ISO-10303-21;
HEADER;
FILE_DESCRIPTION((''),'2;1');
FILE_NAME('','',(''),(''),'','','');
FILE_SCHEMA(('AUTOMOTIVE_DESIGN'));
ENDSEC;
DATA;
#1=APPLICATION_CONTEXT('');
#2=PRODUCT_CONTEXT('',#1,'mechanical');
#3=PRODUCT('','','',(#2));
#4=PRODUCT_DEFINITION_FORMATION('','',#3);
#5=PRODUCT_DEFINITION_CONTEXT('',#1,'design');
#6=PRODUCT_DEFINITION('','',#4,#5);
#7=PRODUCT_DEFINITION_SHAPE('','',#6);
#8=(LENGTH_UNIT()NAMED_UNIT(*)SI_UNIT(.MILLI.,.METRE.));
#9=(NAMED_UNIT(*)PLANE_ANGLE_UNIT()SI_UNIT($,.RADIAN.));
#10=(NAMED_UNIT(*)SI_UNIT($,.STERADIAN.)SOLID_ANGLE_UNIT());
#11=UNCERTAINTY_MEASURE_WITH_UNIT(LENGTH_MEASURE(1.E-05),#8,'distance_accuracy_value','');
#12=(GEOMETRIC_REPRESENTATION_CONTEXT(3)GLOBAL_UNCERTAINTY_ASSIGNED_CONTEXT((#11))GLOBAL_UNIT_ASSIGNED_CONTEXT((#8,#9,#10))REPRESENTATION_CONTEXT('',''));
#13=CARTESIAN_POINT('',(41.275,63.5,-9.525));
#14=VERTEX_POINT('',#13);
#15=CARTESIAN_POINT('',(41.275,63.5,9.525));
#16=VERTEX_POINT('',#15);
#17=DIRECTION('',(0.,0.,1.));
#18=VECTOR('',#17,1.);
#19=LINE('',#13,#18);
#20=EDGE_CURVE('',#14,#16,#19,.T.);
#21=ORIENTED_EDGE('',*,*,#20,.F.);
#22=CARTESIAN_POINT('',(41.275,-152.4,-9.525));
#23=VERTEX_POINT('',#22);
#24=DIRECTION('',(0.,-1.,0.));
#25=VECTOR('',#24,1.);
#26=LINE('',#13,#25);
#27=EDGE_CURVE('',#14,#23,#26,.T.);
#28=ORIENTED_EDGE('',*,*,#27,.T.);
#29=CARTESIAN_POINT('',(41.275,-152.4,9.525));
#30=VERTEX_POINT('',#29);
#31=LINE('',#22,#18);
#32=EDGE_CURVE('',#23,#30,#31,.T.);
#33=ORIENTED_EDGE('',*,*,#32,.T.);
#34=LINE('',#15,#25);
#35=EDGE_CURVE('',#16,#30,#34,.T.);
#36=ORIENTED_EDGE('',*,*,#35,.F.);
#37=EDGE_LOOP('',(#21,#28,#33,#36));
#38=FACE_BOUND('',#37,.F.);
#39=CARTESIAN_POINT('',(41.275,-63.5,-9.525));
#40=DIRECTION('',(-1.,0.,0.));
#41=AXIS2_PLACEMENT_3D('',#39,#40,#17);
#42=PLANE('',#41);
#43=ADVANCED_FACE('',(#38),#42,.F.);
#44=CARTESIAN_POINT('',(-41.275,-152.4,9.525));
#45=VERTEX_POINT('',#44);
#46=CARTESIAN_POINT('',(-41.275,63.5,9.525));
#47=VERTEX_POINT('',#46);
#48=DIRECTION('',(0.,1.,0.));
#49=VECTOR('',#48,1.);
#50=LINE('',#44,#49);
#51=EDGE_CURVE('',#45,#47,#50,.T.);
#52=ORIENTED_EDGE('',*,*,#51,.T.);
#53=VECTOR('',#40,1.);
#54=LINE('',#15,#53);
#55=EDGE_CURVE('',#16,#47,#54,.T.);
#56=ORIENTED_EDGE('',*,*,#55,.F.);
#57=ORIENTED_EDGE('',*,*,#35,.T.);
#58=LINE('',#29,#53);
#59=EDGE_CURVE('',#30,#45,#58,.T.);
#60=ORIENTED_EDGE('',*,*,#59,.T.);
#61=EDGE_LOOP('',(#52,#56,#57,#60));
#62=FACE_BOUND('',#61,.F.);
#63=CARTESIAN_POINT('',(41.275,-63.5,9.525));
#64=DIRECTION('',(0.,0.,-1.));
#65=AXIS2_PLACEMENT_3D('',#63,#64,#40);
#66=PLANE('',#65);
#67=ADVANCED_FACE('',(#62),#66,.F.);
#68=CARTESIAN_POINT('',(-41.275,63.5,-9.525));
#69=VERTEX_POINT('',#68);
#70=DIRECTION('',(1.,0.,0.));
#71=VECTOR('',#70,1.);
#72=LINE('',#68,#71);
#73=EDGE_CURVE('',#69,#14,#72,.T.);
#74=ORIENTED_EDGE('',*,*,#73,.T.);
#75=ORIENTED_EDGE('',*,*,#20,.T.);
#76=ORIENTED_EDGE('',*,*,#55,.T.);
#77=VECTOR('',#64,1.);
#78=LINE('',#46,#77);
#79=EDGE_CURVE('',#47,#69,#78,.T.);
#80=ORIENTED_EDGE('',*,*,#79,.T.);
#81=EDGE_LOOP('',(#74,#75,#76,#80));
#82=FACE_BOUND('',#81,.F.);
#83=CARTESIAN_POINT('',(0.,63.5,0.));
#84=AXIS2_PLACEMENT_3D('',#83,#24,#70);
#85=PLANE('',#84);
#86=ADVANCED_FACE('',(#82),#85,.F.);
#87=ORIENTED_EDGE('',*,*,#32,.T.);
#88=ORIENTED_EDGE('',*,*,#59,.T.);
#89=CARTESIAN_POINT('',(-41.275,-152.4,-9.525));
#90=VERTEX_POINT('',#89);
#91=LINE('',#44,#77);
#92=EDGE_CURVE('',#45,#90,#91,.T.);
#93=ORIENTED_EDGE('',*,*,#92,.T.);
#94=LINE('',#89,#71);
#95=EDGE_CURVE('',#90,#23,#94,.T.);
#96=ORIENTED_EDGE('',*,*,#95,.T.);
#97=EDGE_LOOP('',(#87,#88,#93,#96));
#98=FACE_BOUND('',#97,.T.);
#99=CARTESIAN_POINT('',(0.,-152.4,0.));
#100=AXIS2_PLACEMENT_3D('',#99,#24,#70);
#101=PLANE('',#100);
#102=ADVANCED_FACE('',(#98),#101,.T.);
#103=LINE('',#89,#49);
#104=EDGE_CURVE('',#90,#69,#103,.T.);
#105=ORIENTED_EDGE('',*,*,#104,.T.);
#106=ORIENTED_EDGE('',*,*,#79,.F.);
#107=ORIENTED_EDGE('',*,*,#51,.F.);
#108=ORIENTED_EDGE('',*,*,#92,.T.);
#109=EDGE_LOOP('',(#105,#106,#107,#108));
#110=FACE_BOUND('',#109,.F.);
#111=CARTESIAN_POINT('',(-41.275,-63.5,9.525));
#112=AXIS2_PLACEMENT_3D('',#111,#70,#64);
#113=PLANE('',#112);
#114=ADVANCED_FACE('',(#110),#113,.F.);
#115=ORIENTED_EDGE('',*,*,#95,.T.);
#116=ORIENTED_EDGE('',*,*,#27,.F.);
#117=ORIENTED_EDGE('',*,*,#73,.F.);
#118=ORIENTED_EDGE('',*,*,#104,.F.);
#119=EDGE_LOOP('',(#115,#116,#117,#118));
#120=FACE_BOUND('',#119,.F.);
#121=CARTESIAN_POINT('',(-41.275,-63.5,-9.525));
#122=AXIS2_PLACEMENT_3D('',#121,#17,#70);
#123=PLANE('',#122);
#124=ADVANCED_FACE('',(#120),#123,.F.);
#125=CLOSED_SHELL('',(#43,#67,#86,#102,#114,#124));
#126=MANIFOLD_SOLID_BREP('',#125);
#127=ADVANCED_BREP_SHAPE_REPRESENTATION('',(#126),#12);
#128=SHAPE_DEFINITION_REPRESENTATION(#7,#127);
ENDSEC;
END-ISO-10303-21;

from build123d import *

# Parameters (mm, degrees)
F1_DEPTH = 63.5
F2_DEPTH = 25.4
F3_DEPTH = 63.5


with BuildPart() as f1:
    # F0 (on Front) → F1 (new body, symmetric)
    with BuildSketch(Plane.XZ):
        Polygon((-41.275, -9.525), (41.275, -9.525), (41.275, 9.525), (22.225, 9.525), (-41.275, 9.525), align=None)
    extrude(amount=F1_DEPTH, both=True)

    # F2 (add): a face of the model
    f2_faces = [f1.faces().sort_by_distance(p)[0] for p in [
        (0, -63.5, 0),
    ]]
    extrude(f2_faces, amount=F2_DEPTH)

    # F3 (add, symmetric): a face of the model
    f3_faces = [f1.faces().sort_by_distance(p)[0] for p in [
        (0, -88.9, 0),
    ]]
    extrude(f3_faces, amount=F3_DEPTH, both=True)


solid = f1.part
